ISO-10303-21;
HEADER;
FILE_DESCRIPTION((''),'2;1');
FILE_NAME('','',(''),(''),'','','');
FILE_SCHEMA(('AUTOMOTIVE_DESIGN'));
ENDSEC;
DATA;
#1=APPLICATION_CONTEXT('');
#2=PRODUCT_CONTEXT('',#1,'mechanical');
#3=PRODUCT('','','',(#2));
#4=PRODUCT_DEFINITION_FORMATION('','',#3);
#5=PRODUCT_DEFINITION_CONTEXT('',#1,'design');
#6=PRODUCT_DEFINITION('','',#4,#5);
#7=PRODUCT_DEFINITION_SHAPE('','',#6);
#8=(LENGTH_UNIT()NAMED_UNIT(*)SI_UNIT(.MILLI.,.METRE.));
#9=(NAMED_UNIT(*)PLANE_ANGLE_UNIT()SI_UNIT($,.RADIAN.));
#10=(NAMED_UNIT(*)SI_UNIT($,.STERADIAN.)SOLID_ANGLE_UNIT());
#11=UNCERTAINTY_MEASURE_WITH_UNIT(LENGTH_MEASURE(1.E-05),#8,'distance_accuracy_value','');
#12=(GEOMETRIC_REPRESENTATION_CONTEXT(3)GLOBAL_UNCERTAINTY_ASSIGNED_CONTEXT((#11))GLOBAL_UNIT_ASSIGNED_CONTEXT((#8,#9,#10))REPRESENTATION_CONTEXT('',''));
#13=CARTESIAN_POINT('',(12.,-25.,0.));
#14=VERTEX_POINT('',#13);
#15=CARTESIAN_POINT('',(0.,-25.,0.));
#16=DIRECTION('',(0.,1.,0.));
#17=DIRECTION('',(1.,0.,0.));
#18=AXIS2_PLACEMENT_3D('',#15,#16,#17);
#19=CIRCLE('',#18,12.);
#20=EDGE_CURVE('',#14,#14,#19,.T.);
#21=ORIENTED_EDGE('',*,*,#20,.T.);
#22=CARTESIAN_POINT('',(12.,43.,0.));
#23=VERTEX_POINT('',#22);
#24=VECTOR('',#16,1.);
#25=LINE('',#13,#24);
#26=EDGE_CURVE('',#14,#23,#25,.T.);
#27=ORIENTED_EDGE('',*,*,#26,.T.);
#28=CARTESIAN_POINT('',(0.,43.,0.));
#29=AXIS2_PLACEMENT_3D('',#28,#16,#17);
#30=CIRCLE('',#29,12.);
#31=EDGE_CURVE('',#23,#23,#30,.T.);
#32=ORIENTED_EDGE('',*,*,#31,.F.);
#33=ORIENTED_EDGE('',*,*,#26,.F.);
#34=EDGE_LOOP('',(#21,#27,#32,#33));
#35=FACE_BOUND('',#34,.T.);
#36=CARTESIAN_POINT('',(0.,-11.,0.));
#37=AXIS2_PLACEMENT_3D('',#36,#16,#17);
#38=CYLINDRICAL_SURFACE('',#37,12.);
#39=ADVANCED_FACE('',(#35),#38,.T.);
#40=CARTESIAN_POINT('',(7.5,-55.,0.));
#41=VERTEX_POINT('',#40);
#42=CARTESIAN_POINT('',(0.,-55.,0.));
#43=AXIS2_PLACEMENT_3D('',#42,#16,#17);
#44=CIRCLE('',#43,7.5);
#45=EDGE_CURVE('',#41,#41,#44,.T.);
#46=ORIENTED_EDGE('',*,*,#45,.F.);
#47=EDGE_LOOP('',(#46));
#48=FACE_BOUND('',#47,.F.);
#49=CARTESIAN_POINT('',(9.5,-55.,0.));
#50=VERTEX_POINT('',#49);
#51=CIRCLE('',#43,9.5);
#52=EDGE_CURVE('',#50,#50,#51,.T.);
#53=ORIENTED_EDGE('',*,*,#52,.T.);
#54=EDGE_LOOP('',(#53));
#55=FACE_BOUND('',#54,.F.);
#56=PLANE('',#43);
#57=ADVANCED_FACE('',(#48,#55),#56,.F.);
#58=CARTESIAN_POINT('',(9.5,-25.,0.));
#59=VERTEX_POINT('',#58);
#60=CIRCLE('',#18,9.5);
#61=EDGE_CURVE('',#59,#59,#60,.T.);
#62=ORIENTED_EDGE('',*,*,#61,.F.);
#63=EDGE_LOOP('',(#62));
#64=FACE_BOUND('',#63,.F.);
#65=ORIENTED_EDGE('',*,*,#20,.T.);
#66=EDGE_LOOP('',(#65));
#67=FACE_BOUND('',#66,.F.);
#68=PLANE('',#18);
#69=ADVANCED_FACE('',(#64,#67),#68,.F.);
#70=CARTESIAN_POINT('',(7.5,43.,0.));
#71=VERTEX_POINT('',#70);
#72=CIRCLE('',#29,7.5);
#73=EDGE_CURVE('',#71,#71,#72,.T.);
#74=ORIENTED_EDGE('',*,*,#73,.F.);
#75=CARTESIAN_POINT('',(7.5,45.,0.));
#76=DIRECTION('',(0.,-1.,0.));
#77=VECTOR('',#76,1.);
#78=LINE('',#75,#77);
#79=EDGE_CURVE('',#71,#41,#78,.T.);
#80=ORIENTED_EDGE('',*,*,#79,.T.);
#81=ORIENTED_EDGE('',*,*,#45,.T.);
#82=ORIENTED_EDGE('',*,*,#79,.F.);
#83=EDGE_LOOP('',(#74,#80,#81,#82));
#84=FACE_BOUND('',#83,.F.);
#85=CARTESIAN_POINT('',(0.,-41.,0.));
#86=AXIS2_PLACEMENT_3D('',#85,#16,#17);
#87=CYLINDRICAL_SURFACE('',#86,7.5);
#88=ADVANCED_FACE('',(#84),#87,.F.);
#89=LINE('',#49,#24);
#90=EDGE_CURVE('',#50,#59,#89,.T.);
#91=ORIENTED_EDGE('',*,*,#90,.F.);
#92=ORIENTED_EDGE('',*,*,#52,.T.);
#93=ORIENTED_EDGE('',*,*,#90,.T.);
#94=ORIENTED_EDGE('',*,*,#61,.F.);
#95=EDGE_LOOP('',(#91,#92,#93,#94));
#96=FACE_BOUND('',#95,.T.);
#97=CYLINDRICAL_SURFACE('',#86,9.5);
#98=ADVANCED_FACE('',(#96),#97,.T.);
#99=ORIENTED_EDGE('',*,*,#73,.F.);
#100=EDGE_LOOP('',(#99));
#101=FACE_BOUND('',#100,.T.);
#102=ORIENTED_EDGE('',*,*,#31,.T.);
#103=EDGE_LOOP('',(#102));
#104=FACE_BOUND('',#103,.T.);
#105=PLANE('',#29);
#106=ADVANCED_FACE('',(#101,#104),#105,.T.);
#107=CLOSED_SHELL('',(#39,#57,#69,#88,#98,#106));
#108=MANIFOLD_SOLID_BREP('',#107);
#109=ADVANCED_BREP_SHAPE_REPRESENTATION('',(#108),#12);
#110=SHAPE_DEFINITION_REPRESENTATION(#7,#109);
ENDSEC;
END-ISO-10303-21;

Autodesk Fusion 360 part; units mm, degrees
sketch "Sketch1" plane through (0, 0, 0) normal (0, 1, 0) x (1, 0, 0)
  circle A0 centre (0, 0) radius 12
  circle A1 centre (0, 0) radius 7.5
  circle A2 centre (0, 0) radius 9.5
extrude "Extrude1" add sketch "Sketch1" along normal blind 45 contours A0 | A2
extrude "Extrude2" add sketch "Sketch1" against normal blind 25 contours A2
extrude "Extrude3" add sketch "Sketch1" against normal blind 11 contours A0
extrude "Extrude4" add 1 faces at (8.77, -25, 0.8446) along direction (0, -1, 0) blind 16
extrude "Extrude5" add 1 faces at (11.0866, -11, 1.0681) along direction (0, -1, 0) blind 14
extrude "Extrude6" add 1 faces at (8.77, -41, 0.8446) along direction (0, -1, 0) blind 14
extrude "Extrude8" cut 1 faces at (10.4274, 45, 0.9688) along direction (0, -1, 0) blind 2
extrude "Extrude7" [suppressed]
